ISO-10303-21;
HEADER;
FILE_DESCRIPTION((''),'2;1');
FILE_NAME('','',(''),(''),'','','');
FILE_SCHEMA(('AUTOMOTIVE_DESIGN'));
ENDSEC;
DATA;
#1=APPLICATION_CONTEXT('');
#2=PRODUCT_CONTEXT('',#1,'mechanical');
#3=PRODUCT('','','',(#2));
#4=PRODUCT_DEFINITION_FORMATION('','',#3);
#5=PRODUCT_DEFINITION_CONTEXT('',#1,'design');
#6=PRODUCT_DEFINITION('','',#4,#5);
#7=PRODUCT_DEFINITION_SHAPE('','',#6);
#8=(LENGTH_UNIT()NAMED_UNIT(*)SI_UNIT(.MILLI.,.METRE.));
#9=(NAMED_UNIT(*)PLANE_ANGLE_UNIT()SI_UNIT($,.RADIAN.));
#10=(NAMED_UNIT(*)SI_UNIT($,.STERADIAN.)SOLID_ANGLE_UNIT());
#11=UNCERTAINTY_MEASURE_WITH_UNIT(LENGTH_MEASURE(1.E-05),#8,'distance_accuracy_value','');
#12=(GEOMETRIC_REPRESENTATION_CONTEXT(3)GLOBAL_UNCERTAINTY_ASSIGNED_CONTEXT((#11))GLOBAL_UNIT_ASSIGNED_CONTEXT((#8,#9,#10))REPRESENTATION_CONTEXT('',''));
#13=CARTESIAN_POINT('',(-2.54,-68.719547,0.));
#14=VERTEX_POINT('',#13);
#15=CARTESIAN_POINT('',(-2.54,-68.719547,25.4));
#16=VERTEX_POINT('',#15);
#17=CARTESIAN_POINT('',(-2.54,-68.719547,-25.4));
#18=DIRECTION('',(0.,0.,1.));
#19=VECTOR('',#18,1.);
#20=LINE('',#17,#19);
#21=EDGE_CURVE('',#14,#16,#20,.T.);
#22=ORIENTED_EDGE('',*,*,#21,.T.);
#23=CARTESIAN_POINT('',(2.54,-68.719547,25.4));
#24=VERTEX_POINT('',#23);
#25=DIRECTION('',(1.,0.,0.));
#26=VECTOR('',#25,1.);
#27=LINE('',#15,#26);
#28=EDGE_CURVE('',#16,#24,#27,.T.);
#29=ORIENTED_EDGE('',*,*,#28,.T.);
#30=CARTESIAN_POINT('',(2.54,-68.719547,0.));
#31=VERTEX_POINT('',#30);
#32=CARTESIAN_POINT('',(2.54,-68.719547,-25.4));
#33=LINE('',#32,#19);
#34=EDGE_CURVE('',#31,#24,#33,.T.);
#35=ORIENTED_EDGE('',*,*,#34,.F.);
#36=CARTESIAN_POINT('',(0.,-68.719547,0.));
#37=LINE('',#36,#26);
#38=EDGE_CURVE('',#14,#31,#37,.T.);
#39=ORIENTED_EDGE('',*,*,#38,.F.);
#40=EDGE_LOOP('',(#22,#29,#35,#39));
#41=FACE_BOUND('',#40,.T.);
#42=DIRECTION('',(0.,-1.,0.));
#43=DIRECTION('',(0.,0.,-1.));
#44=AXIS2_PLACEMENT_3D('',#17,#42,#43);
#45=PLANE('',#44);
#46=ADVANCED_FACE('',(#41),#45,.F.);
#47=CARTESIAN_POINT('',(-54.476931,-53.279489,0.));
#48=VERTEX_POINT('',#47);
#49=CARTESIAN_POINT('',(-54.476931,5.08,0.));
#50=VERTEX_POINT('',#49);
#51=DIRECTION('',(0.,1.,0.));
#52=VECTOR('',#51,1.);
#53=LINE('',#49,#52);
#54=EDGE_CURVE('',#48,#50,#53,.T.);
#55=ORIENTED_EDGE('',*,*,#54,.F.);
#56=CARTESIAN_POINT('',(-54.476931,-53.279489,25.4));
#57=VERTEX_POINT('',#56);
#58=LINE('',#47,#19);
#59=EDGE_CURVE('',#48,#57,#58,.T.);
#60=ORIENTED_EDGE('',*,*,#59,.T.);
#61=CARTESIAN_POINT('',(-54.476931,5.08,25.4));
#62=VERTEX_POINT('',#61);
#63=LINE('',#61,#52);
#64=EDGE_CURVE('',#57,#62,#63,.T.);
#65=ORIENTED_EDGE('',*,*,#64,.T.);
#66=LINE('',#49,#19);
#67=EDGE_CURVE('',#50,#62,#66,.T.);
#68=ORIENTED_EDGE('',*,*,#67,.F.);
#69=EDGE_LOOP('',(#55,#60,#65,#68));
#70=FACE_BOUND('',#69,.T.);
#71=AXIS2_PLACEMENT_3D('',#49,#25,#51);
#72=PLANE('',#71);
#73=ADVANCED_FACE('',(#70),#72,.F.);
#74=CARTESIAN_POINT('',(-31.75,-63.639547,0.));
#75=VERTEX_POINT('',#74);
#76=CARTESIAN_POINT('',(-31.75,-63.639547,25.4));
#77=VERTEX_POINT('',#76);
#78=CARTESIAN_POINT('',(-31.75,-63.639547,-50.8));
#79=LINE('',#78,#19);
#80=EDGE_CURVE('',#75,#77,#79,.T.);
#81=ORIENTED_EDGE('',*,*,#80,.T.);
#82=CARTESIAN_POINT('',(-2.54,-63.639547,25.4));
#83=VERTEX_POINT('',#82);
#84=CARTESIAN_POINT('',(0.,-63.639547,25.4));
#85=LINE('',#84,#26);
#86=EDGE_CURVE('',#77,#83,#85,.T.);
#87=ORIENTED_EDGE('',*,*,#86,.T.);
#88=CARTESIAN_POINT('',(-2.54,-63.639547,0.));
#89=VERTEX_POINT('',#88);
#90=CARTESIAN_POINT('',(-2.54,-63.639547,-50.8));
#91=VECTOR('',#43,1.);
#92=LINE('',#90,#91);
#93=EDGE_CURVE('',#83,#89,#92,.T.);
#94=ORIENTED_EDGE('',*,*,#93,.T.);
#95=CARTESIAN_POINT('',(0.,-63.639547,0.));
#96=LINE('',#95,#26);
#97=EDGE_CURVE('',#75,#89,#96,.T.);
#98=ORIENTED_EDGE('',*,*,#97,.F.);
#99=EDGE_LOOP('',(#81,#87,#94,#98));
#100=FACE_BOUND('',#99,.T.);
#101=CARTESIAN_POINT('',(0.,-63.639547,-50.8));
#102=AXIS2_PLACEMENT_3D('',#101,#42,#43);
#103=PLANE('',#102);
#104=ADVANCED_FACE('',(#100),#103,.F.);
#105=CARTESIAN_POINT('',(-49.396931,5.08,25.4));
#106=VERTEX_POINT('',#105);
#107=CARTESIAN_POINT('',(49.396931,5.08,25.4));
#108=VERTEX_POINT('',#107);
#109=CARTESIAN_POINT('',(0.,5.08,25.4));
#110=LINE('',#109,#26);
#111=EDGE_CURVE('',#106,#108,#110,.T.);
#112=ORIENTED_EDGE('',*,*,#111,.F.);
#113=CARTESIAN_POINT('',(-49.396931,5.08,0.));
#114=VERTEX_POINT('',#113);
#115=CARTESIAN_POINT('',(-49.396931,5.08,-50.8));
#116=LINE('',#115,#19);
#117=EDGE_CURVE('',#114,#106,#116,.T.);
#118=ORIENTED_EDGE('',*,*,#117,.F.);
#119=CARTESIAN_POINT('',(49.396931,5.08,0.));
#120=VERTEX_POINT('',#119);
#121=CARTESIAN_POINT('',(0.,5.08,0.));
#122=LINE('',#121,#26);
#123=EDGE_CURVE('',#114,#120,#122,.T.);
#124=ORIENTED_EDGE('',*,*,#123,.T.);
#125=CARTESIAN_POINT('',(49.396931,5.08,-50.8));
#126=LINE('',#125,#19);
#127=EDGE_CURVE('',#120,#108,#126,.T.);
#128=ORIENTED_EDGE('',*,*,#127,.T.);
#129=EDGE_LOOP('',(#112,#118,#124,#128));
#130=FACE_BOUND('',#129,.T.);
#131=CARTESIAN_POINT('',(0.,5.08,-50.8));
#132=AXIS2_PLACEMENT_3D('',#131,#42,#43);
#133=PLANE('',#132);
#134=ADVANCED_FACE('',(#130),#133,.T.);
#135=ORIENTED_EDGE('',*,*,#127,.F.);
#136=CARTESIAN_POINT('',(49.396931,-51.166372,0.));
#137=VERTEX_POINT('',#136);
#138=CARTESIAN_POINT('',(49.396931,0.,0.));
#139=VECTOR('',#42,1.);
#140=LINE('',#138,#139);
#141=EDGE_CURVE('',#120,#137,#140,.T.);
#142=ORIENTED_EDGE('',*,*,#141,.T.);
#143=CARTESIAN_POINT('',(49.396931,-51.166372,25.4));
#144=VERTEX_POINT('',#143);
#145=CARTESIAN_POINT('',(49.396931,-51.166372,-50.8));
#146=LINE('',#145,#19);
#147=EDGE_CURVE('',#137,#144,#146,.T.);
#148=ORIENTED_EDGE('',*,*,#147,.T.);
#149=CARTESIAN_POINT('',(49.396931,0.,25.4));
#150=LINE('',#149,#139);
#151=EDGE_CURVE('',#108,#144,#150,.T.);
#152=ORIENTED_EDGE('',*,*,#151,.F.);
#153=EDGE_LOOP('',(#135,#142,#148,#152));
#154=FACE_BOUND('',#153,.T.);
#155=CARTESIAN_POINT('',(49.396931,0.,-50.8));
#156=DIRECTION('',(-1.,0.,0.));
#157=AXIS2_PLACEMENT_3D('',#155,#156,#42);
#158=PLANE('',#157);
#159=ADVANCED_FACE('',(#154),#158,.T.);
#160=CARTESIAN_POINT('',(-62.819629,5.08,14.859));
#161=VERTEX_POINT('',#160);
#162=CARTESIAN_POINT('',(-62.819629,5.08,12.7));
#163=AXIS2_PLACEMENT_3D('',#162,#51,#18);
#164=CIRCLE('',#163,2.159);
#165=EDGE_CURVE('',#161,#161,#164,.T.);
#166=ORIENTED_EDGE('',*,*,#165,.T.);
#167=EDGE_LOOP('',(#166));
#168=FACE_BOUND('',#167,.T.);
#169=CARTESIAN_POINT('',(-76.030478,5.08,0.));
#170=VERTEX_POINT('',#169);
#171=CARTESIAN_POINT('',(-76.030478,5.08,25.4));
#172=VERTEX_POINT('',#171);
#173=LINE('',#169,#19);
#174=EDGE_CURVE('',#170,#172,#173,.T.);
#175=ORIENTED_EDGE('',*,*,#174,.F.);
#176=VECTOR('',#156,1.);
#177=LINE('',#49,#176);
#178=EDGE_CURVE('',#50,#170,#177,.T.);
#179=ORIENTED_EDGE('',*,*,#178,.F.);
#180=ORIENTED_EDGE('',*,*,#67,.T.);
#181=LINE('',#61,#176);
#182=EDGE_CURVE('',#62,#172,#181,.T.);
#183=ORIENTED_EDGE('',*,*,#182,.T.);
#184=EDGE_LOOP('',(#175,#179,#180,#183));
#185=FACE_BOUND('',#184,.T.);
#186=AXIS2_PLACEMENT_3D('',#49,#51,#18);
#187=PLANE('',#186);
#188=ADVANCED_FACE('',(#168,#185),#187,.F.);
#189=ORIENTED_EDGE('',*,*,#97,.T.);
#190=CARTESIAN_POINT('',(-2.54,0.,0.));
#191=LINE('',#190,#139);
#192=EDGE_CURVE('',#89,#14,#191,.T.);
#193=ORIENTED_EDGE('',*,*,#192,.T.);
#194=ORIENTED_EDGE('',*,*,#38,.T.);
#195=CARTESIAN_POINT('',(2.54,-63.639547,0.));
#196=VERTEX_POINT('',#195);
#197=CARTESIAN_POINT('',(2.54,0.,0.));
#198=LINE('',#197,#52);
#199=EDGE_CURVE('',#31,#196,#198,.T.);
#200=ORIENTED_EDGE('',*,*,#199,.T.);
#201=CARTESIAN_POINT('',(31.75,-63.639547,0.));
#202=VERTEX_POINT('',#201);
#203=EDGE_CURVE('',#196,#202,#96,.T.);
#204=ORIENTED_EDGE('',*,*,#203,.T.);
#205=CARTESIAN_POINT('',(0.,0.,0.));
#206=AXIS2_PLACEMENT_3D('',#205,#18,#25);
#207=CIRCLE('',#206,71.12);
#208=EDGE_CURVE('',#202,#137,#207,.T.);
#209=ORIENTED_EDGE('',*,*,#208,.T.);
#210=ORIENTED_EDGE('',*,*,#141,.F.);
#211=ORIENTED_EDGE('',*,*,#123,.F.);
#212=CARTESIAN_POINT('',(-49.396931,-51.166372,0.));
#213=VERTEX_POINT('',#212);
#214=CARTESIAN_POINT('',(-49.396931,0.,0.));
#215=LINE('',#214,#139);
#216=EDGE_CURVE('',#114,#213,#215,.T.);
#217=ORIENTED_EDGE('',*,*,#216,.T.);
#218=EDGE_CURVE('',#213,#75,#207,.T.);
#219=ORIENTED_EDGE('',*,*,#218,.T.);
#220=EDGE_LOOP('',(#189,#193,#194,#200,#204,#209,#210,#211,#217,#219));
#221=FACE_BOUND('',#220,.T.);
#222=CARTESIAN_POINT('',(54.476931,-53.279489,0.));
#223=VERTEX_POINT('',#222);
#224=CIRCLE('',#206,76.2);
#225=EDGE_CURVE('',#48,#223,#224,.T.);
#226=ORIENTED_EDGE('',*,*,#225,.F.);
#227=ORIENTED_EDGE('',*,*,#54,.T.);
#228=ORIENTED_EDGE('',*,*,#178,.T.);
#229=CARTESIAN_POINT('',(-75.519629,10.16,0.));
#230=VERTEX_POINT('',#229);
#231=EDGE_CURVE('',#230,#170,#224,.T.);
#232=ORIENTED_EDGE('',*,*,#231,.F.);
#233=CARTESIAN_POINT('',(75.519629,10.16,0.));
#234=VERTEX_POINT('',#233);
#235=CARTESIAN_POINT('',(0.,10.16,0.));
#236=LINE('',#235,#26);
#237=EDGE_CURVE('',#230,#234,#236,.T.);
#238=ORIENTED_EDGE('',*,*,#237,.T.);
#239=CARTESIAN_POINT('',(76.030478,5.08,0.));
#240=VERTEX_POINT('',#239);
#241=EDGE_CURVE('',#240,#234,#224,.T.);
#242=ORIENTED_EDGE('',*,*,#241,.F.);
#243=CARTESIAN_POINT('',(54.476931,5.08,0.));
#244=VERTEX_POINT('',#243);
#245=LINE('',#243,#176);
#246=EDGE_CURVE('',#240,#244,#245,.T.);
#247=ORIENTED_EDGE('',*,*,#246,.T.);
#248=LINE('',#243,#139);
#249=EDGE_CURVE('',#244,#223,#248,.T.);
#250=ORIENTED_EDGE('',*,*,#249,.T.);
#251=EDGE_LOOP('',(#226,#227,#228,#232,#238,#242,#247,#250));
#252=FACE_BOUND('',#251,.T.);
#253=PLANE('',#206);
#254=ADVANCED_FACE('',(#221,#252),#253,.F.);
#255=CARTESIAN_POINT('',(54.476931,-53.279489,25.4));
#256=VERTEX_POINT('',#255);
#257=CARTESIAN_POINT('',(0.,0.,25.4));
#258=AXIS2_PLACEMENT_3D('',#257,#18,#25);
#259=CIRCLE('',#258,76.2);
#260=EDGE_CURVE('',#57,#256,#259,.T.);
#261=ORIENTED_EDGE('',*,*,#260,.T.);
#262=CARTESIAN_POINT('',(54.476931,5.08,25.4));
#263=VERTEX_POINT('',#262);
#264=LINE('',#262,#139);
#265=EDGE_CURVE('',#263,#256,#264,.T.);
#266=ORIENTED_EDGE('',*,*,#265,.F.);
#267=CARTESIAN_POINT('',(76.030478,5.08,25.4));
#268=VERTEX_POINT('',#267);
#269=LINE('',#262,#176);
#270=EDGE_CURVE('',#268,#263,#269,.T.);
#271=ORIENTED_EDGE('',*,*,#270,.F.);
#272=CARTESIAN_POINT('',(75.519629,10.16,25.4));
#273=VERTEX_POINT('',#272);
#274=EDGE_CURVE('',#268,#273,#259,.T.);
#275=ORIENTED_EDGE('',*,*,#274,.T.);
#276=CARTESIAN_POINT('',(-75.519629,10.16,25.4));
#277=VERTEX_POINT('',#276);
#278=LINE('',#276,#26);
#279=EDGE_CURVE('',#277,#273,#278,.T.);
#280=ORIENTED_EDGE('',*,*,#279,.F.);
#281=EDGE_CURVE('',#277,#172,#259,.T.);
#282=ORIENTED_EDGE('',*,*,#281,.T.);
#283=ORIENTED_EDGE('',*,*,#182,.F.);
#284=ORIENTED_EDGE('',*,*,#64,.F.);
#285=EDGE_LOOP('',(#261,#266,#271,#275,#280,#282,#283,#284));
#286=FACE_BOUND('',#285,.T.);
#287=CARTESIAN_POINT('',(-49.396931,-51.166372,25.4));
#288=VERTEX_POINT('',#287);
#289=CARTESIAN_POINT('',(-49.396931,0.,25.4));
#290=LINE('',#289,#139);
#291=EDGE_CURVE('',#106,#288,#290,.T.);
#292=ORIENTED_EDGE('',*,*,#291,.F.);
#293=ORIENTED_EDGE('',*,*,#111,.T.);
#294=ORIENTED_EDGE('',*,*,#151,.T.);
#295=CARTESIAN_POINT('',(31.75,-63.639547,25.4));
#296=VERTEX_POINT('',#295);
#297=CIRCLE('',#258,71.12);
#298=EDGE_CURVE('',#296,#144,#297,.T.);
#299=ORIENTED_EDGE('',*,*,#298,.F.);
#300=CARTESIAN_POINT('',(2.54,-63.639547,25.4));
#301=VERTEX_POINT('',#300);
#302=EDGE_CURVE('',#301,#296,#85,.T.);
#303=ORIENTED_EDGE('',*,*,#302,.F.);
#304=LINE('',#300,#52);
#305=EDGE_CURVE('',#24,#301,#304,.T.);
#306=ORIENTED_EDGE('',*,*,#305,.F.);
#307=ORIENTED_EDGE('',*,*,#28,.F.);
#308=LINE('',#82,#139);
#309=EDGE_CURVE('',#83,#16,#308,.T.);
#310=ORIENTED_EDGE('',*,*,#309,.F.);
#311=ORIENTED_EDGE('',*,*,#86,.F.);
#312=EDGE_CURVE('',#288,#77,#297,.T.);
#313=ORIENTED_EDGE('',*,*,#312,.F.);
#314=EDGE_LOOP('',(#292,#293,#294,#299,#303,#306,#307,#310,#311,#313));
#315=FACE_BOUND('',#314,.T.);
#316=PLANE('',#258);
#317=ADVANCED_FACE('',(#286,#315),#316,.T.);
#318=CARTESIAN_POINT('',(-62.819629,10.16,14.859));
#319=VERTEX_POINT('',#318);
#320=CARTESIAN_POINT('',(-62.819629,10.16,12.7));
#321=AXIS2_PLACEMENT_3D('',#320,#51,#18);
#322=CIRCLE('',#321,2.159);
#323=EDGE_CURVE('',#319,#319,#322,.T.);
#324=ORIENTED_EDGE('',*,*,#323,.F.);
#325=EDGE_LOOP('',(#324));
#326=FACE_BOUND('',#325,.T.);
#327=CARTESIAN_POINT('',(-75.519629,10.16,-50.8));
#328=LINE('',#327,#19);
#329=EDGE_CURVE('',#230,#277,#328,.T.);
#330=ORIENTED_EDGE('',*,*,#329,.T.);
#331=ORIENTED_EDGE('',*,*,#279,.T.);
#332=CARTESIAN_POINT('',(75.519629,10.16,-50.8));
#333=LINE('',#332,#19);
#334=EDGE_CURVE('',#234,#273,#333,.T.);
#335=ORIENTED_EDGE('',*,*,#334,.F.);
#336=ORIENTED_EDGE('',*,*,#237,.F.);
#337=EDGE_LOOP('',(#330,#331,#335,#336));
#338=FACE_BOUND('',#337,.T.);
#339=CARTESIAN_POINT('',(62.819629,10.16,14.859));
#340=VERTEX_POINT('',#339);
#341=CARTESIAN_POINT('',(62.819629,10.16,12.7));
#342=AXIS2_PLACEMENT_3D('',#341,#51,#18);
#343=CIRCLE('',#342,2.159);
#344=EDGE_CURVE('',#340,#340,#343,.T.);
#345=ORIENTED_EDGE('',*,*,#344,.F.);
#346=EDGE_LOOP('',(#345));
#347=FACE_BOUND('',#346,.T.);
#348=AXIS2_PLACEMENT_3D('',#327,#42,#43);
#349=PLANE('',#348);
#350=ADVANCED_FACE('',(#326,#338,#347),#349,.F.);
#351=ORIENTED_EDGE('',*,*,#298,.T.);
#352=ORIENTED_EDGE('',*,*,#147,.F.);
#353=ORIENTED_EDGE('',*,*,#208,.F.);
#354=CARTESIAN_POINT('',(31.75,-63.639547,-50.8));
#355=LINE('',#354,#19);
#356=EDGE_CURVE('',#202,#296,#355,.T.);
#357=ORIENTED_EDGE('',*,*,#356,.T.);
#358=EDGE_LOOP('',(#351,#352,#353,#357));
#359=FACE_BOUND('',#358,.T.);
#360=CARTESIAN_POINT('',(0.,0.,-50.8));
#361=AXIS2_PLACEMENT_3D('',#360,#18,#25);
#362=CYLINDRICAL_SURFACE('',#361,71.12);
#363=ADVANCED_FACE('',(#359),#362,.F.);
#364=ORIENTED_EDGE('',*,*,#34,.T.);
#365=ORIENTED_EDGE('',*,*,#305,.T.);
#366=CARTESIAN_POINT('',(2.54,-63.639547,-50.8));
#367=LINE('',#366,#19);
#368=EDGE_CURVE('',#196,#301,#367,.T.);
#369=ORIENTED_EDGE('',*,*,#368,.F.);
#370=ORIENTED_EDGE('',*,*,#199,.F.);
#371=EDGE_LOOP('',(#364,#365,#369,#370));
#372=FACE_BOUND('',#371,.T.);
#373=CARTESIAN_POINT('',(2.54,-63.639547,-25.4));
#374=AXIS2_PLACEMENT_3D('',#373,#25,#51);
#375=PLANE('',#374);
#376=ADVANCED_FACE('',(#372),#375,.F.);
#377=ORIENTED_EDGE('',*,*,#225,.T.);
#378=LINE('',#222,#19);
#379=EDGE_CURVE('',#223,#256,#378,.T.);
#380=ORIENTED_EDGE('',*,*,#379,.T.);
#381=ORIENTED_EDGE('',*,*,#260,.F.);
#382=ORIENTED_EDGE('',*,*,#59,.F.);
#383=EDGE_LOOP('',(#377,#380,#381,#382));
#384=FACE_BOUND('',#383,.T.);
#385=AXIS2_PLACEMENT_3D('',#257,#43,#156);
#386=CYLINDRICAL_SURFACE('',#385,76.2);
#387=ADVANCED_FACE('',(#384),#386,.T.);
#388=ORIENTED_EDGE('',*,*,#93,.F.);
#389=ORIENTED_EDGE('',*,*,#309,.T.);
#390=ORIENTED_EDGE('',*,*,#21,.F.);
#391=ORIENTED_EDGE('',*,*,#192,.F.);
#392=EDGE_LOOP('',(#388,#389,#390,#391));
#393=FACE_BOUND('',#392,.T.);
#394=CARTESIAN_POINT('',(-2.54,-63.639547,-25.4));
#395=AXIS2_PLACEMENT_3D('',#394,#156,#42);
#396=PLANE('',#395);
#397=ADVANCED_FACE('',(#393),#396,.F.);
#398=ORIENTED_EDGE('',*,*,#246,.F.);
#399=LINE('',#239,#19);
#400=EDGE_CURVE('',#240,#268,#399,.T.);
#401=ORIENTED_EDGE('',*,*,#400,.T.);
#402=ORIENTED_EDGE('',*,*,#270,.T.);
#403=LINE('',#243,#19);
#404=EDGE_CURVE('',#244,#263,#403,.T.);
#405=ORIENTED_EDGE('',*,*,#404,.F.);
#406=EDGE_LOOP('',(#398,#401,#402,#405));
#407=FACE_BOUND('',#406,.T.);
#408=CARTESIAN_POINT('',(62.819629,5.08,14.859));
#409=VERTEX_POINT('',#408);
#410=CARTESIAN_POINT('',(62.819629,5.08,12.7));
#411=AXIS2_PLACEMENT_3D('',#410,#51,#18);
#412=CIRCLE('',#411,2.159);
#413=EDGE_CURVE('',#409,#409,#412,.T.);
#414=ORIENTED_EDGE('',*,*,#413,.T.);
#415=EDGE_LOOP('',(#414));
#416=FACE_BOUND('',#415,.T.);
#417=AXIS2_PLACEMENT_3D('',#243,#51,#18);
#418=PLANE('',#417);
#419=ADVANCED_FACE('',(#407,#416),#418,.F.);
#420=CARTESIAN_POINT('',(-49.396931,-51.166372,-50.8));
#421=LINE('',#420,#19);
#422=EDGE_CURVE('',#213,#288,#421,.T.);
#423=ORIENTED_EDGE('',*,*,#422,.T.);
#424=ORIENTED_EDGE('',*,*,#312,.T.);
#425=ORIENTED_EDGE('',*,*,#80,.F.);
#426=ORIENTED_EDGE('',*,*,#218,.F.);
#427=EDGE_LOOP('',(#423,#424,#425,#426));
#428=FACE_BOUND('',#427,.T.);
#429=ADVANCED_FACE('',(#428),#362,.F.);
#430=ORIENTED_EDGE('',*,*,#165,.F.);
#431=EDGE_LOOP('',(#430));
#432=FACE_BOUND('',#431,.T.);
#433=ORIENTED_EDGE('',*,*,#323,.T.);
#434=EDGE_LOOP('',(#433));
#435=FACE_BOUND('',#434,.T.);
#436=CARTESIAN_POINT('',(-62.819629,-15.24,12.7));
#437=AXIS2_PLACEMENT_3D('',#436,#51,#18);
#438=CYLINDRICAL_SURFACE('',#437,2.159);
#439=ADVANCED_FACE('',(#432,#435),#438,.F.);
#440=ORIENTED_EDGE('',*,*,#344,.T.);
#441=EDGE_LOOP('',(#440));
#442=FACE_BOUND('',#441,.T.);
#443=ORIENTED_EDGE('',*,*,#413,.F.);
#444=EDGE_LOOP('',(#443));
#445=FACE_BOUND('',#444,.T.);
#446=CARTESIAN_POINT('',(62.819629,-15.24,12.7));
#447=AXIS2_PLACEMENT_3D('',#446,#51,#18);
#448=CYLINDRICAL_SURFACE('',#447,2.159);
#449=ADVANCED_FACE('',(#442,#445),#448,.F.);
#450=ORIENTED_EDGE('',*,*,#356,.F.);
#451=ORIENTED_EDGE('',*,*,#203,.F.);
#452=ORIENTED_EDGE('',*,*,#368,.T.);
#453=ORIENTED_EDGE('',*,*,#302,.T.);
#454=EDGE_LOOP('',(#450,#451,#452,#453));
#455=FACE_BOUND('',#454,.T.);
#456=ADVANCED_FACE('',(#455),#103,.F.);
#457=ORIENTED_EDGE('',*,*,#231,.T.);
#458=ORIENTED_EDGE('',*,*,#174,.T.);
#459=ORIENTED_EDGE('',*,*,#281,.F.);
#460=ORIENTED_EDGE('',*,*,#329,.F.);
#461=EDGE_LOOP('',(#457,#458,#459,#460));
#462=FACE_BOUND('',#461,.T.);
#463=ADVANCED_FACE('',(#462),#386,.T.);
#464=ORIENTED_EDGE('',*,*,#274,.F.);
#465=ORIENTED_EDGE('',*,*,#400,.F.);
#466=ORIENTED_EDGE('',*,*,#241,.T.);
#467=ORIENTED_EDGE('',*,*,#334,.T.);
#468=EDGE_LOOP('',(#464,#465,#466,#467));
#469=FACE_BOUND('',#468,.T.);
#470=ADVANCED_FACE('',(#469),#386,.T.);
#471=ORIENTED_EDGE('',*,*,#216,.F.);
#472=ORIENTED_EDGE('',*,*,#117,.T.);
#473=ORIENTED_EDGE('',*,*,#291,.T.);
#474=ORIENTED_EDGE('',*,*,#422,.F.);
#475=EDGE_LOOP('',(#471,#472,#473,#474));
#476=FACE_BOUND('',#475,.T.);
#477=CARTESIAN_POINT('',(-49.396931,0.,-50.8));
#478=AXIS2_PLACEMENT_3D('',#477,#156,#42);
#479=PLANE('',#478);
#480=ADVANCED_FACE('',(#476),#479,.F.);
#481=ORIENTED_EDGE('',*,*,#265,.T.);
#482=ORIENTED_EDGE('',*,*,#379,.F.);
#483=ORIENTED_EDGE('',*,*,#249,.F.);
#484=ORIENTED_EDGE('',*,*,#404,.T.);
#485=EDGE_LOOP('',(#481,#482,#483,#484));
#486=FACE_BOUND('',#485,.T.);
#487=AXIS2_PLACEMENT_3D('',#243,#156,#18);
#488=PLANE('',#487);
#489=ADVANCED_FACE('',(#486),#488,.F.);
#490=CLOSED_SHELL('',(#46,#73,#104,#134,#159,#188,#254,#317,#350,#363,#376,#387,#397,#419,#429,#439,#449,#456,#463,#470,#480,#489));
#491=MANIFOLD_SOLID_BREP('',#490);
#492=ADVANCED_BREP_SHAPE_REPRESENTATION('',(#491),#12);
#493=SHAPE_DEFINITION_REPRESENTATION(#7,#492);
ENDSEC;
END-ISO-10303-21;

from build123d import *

# Parameters (mm, degrees)
SKETCH2_R           = 76.2
BOSS_EXTRUDE1_DEPTH = 25.4
CUT_EXTRUDE1_DEPTH  = 76.2
CUT_EXTRUDE2_DEPTH  = 76.2
SKETCH8_W           = 5.08
SKETCH8_H           = 5.08
CUT_EXTRUDE4_DEPTH  = 50.8
CUT_EXTRUDE5_DEPTH  = 26.4
SKETCH10_R          = 2.159
CUT_EXTRUDE6_DEPTH  = 25.4


with BuildPart() as part:
    # Sketch2 → Boss-Extrude1 (new body)
    with BuildSketch(Plane.XY):
        Circle(SKETCH2_R)
    extrude(amount=BOSS_EXTRUDE1_DEPTH)

    # Sketch4 → Cut-Extrude1 (cut)
    with BuildSketch(Plane.XY.offset(25.4)):
        with BuildLine():
            Line((-75.519629236, 10.16), (75.519629236, 10.16))
            ThreePointArc((75.519629236, 10.16), (0, 76.2), (-75.519629236, 10.16))
        make_face()
    extrude(amount=-CUT_EXTRUDE1_DEPTH, mode=Mode.SUBTRACT)

    # Sketch5 → Cut-Extrude2 (cut)
    with BuildSketch(Plane.XY.offset(25.4)):
        with BuildLine():
            Line((49.396930897, 5.08), (-49.396930897, 5.08))
            Line((-49.396930897, 5.08), (-49.396930897, -51.166371944))
            ThreePointArc((-49.396930897, -51.166371944), (-41.049983197, -58.077132157), (-31.75, -63.639546667))
            Line((-31.75, -63.639546667), (31.75, -63.639546667))
            ThreePointArc((31.75, -63.639546667), (41.049983197, -58.077132157), (49.396930897, -51.166371944))
            Line((49.396930897, -51.166371944), (49.396930897, 5.08))
        make_face()
    extrude(amount=-CUT_EXTRUDE2_DEPTH, mode=Mode.SUBTRACT)

    # Sketch8 → Cut-Extrude4 (cut)
    with BuildSketch(Plane.XY.offset(25.4)):
        with Locations((0, -66.179546667)):
            Rectangle(SKETCH8_W, SKETCH8_H)
    extrude(amount=-CUT_EXTRUDE4_DEPTH, mode=Mode.SUBTRACT)

    # Sketch9 → Cut-Extrude5 (cut, through all)
    with BuildSketch(Plane.XY.offset(25.4)):
        with BuildLine():
            Line((54.476930897, 5.08), (76.030478099, 5.08))
            ThreePointArc((76.030478099, 5.08), (71.480790805, -26.399555791), (54.476930897, -53.279489487))
            Line((54.476930897, -53.279489487), (54.476930897, 5.08))
        make_face()
        with BuildLine():
            Line((-54.476930897, 5.08), (-54.476930897, -53.279489487))
            ThreePointArc((-54.476930897, -53.279489487), (-71.480790805, -26.399555791), (-76.030478099, 5.08))
            Line((-76.030478099, 5.08), (-54.476930897, 5.08))
        make_face()
    extrude(amount=-CUT_EXTRUDE5_DEPTH, mode=Mode.SUBTRACT)

    # Sketch10 → Cut-Extrude6 (cut)
    with BuildSketch(Plane(origin=(0, 10.16, 0), x_dir=(1, 0, 0), z_dir=(0, 1, 0))):
        with Locations((62.819629236, -12.7)):
            Circle(SKETCH10_R)
        with Locations((-62.819629236, -12.7)):
            Circle(SKETCH10_R)
    extrude(amount=-CUT_EXTRUDE6_DEPTH, mode=Mode.SUBTRACT)


solid = part.part
